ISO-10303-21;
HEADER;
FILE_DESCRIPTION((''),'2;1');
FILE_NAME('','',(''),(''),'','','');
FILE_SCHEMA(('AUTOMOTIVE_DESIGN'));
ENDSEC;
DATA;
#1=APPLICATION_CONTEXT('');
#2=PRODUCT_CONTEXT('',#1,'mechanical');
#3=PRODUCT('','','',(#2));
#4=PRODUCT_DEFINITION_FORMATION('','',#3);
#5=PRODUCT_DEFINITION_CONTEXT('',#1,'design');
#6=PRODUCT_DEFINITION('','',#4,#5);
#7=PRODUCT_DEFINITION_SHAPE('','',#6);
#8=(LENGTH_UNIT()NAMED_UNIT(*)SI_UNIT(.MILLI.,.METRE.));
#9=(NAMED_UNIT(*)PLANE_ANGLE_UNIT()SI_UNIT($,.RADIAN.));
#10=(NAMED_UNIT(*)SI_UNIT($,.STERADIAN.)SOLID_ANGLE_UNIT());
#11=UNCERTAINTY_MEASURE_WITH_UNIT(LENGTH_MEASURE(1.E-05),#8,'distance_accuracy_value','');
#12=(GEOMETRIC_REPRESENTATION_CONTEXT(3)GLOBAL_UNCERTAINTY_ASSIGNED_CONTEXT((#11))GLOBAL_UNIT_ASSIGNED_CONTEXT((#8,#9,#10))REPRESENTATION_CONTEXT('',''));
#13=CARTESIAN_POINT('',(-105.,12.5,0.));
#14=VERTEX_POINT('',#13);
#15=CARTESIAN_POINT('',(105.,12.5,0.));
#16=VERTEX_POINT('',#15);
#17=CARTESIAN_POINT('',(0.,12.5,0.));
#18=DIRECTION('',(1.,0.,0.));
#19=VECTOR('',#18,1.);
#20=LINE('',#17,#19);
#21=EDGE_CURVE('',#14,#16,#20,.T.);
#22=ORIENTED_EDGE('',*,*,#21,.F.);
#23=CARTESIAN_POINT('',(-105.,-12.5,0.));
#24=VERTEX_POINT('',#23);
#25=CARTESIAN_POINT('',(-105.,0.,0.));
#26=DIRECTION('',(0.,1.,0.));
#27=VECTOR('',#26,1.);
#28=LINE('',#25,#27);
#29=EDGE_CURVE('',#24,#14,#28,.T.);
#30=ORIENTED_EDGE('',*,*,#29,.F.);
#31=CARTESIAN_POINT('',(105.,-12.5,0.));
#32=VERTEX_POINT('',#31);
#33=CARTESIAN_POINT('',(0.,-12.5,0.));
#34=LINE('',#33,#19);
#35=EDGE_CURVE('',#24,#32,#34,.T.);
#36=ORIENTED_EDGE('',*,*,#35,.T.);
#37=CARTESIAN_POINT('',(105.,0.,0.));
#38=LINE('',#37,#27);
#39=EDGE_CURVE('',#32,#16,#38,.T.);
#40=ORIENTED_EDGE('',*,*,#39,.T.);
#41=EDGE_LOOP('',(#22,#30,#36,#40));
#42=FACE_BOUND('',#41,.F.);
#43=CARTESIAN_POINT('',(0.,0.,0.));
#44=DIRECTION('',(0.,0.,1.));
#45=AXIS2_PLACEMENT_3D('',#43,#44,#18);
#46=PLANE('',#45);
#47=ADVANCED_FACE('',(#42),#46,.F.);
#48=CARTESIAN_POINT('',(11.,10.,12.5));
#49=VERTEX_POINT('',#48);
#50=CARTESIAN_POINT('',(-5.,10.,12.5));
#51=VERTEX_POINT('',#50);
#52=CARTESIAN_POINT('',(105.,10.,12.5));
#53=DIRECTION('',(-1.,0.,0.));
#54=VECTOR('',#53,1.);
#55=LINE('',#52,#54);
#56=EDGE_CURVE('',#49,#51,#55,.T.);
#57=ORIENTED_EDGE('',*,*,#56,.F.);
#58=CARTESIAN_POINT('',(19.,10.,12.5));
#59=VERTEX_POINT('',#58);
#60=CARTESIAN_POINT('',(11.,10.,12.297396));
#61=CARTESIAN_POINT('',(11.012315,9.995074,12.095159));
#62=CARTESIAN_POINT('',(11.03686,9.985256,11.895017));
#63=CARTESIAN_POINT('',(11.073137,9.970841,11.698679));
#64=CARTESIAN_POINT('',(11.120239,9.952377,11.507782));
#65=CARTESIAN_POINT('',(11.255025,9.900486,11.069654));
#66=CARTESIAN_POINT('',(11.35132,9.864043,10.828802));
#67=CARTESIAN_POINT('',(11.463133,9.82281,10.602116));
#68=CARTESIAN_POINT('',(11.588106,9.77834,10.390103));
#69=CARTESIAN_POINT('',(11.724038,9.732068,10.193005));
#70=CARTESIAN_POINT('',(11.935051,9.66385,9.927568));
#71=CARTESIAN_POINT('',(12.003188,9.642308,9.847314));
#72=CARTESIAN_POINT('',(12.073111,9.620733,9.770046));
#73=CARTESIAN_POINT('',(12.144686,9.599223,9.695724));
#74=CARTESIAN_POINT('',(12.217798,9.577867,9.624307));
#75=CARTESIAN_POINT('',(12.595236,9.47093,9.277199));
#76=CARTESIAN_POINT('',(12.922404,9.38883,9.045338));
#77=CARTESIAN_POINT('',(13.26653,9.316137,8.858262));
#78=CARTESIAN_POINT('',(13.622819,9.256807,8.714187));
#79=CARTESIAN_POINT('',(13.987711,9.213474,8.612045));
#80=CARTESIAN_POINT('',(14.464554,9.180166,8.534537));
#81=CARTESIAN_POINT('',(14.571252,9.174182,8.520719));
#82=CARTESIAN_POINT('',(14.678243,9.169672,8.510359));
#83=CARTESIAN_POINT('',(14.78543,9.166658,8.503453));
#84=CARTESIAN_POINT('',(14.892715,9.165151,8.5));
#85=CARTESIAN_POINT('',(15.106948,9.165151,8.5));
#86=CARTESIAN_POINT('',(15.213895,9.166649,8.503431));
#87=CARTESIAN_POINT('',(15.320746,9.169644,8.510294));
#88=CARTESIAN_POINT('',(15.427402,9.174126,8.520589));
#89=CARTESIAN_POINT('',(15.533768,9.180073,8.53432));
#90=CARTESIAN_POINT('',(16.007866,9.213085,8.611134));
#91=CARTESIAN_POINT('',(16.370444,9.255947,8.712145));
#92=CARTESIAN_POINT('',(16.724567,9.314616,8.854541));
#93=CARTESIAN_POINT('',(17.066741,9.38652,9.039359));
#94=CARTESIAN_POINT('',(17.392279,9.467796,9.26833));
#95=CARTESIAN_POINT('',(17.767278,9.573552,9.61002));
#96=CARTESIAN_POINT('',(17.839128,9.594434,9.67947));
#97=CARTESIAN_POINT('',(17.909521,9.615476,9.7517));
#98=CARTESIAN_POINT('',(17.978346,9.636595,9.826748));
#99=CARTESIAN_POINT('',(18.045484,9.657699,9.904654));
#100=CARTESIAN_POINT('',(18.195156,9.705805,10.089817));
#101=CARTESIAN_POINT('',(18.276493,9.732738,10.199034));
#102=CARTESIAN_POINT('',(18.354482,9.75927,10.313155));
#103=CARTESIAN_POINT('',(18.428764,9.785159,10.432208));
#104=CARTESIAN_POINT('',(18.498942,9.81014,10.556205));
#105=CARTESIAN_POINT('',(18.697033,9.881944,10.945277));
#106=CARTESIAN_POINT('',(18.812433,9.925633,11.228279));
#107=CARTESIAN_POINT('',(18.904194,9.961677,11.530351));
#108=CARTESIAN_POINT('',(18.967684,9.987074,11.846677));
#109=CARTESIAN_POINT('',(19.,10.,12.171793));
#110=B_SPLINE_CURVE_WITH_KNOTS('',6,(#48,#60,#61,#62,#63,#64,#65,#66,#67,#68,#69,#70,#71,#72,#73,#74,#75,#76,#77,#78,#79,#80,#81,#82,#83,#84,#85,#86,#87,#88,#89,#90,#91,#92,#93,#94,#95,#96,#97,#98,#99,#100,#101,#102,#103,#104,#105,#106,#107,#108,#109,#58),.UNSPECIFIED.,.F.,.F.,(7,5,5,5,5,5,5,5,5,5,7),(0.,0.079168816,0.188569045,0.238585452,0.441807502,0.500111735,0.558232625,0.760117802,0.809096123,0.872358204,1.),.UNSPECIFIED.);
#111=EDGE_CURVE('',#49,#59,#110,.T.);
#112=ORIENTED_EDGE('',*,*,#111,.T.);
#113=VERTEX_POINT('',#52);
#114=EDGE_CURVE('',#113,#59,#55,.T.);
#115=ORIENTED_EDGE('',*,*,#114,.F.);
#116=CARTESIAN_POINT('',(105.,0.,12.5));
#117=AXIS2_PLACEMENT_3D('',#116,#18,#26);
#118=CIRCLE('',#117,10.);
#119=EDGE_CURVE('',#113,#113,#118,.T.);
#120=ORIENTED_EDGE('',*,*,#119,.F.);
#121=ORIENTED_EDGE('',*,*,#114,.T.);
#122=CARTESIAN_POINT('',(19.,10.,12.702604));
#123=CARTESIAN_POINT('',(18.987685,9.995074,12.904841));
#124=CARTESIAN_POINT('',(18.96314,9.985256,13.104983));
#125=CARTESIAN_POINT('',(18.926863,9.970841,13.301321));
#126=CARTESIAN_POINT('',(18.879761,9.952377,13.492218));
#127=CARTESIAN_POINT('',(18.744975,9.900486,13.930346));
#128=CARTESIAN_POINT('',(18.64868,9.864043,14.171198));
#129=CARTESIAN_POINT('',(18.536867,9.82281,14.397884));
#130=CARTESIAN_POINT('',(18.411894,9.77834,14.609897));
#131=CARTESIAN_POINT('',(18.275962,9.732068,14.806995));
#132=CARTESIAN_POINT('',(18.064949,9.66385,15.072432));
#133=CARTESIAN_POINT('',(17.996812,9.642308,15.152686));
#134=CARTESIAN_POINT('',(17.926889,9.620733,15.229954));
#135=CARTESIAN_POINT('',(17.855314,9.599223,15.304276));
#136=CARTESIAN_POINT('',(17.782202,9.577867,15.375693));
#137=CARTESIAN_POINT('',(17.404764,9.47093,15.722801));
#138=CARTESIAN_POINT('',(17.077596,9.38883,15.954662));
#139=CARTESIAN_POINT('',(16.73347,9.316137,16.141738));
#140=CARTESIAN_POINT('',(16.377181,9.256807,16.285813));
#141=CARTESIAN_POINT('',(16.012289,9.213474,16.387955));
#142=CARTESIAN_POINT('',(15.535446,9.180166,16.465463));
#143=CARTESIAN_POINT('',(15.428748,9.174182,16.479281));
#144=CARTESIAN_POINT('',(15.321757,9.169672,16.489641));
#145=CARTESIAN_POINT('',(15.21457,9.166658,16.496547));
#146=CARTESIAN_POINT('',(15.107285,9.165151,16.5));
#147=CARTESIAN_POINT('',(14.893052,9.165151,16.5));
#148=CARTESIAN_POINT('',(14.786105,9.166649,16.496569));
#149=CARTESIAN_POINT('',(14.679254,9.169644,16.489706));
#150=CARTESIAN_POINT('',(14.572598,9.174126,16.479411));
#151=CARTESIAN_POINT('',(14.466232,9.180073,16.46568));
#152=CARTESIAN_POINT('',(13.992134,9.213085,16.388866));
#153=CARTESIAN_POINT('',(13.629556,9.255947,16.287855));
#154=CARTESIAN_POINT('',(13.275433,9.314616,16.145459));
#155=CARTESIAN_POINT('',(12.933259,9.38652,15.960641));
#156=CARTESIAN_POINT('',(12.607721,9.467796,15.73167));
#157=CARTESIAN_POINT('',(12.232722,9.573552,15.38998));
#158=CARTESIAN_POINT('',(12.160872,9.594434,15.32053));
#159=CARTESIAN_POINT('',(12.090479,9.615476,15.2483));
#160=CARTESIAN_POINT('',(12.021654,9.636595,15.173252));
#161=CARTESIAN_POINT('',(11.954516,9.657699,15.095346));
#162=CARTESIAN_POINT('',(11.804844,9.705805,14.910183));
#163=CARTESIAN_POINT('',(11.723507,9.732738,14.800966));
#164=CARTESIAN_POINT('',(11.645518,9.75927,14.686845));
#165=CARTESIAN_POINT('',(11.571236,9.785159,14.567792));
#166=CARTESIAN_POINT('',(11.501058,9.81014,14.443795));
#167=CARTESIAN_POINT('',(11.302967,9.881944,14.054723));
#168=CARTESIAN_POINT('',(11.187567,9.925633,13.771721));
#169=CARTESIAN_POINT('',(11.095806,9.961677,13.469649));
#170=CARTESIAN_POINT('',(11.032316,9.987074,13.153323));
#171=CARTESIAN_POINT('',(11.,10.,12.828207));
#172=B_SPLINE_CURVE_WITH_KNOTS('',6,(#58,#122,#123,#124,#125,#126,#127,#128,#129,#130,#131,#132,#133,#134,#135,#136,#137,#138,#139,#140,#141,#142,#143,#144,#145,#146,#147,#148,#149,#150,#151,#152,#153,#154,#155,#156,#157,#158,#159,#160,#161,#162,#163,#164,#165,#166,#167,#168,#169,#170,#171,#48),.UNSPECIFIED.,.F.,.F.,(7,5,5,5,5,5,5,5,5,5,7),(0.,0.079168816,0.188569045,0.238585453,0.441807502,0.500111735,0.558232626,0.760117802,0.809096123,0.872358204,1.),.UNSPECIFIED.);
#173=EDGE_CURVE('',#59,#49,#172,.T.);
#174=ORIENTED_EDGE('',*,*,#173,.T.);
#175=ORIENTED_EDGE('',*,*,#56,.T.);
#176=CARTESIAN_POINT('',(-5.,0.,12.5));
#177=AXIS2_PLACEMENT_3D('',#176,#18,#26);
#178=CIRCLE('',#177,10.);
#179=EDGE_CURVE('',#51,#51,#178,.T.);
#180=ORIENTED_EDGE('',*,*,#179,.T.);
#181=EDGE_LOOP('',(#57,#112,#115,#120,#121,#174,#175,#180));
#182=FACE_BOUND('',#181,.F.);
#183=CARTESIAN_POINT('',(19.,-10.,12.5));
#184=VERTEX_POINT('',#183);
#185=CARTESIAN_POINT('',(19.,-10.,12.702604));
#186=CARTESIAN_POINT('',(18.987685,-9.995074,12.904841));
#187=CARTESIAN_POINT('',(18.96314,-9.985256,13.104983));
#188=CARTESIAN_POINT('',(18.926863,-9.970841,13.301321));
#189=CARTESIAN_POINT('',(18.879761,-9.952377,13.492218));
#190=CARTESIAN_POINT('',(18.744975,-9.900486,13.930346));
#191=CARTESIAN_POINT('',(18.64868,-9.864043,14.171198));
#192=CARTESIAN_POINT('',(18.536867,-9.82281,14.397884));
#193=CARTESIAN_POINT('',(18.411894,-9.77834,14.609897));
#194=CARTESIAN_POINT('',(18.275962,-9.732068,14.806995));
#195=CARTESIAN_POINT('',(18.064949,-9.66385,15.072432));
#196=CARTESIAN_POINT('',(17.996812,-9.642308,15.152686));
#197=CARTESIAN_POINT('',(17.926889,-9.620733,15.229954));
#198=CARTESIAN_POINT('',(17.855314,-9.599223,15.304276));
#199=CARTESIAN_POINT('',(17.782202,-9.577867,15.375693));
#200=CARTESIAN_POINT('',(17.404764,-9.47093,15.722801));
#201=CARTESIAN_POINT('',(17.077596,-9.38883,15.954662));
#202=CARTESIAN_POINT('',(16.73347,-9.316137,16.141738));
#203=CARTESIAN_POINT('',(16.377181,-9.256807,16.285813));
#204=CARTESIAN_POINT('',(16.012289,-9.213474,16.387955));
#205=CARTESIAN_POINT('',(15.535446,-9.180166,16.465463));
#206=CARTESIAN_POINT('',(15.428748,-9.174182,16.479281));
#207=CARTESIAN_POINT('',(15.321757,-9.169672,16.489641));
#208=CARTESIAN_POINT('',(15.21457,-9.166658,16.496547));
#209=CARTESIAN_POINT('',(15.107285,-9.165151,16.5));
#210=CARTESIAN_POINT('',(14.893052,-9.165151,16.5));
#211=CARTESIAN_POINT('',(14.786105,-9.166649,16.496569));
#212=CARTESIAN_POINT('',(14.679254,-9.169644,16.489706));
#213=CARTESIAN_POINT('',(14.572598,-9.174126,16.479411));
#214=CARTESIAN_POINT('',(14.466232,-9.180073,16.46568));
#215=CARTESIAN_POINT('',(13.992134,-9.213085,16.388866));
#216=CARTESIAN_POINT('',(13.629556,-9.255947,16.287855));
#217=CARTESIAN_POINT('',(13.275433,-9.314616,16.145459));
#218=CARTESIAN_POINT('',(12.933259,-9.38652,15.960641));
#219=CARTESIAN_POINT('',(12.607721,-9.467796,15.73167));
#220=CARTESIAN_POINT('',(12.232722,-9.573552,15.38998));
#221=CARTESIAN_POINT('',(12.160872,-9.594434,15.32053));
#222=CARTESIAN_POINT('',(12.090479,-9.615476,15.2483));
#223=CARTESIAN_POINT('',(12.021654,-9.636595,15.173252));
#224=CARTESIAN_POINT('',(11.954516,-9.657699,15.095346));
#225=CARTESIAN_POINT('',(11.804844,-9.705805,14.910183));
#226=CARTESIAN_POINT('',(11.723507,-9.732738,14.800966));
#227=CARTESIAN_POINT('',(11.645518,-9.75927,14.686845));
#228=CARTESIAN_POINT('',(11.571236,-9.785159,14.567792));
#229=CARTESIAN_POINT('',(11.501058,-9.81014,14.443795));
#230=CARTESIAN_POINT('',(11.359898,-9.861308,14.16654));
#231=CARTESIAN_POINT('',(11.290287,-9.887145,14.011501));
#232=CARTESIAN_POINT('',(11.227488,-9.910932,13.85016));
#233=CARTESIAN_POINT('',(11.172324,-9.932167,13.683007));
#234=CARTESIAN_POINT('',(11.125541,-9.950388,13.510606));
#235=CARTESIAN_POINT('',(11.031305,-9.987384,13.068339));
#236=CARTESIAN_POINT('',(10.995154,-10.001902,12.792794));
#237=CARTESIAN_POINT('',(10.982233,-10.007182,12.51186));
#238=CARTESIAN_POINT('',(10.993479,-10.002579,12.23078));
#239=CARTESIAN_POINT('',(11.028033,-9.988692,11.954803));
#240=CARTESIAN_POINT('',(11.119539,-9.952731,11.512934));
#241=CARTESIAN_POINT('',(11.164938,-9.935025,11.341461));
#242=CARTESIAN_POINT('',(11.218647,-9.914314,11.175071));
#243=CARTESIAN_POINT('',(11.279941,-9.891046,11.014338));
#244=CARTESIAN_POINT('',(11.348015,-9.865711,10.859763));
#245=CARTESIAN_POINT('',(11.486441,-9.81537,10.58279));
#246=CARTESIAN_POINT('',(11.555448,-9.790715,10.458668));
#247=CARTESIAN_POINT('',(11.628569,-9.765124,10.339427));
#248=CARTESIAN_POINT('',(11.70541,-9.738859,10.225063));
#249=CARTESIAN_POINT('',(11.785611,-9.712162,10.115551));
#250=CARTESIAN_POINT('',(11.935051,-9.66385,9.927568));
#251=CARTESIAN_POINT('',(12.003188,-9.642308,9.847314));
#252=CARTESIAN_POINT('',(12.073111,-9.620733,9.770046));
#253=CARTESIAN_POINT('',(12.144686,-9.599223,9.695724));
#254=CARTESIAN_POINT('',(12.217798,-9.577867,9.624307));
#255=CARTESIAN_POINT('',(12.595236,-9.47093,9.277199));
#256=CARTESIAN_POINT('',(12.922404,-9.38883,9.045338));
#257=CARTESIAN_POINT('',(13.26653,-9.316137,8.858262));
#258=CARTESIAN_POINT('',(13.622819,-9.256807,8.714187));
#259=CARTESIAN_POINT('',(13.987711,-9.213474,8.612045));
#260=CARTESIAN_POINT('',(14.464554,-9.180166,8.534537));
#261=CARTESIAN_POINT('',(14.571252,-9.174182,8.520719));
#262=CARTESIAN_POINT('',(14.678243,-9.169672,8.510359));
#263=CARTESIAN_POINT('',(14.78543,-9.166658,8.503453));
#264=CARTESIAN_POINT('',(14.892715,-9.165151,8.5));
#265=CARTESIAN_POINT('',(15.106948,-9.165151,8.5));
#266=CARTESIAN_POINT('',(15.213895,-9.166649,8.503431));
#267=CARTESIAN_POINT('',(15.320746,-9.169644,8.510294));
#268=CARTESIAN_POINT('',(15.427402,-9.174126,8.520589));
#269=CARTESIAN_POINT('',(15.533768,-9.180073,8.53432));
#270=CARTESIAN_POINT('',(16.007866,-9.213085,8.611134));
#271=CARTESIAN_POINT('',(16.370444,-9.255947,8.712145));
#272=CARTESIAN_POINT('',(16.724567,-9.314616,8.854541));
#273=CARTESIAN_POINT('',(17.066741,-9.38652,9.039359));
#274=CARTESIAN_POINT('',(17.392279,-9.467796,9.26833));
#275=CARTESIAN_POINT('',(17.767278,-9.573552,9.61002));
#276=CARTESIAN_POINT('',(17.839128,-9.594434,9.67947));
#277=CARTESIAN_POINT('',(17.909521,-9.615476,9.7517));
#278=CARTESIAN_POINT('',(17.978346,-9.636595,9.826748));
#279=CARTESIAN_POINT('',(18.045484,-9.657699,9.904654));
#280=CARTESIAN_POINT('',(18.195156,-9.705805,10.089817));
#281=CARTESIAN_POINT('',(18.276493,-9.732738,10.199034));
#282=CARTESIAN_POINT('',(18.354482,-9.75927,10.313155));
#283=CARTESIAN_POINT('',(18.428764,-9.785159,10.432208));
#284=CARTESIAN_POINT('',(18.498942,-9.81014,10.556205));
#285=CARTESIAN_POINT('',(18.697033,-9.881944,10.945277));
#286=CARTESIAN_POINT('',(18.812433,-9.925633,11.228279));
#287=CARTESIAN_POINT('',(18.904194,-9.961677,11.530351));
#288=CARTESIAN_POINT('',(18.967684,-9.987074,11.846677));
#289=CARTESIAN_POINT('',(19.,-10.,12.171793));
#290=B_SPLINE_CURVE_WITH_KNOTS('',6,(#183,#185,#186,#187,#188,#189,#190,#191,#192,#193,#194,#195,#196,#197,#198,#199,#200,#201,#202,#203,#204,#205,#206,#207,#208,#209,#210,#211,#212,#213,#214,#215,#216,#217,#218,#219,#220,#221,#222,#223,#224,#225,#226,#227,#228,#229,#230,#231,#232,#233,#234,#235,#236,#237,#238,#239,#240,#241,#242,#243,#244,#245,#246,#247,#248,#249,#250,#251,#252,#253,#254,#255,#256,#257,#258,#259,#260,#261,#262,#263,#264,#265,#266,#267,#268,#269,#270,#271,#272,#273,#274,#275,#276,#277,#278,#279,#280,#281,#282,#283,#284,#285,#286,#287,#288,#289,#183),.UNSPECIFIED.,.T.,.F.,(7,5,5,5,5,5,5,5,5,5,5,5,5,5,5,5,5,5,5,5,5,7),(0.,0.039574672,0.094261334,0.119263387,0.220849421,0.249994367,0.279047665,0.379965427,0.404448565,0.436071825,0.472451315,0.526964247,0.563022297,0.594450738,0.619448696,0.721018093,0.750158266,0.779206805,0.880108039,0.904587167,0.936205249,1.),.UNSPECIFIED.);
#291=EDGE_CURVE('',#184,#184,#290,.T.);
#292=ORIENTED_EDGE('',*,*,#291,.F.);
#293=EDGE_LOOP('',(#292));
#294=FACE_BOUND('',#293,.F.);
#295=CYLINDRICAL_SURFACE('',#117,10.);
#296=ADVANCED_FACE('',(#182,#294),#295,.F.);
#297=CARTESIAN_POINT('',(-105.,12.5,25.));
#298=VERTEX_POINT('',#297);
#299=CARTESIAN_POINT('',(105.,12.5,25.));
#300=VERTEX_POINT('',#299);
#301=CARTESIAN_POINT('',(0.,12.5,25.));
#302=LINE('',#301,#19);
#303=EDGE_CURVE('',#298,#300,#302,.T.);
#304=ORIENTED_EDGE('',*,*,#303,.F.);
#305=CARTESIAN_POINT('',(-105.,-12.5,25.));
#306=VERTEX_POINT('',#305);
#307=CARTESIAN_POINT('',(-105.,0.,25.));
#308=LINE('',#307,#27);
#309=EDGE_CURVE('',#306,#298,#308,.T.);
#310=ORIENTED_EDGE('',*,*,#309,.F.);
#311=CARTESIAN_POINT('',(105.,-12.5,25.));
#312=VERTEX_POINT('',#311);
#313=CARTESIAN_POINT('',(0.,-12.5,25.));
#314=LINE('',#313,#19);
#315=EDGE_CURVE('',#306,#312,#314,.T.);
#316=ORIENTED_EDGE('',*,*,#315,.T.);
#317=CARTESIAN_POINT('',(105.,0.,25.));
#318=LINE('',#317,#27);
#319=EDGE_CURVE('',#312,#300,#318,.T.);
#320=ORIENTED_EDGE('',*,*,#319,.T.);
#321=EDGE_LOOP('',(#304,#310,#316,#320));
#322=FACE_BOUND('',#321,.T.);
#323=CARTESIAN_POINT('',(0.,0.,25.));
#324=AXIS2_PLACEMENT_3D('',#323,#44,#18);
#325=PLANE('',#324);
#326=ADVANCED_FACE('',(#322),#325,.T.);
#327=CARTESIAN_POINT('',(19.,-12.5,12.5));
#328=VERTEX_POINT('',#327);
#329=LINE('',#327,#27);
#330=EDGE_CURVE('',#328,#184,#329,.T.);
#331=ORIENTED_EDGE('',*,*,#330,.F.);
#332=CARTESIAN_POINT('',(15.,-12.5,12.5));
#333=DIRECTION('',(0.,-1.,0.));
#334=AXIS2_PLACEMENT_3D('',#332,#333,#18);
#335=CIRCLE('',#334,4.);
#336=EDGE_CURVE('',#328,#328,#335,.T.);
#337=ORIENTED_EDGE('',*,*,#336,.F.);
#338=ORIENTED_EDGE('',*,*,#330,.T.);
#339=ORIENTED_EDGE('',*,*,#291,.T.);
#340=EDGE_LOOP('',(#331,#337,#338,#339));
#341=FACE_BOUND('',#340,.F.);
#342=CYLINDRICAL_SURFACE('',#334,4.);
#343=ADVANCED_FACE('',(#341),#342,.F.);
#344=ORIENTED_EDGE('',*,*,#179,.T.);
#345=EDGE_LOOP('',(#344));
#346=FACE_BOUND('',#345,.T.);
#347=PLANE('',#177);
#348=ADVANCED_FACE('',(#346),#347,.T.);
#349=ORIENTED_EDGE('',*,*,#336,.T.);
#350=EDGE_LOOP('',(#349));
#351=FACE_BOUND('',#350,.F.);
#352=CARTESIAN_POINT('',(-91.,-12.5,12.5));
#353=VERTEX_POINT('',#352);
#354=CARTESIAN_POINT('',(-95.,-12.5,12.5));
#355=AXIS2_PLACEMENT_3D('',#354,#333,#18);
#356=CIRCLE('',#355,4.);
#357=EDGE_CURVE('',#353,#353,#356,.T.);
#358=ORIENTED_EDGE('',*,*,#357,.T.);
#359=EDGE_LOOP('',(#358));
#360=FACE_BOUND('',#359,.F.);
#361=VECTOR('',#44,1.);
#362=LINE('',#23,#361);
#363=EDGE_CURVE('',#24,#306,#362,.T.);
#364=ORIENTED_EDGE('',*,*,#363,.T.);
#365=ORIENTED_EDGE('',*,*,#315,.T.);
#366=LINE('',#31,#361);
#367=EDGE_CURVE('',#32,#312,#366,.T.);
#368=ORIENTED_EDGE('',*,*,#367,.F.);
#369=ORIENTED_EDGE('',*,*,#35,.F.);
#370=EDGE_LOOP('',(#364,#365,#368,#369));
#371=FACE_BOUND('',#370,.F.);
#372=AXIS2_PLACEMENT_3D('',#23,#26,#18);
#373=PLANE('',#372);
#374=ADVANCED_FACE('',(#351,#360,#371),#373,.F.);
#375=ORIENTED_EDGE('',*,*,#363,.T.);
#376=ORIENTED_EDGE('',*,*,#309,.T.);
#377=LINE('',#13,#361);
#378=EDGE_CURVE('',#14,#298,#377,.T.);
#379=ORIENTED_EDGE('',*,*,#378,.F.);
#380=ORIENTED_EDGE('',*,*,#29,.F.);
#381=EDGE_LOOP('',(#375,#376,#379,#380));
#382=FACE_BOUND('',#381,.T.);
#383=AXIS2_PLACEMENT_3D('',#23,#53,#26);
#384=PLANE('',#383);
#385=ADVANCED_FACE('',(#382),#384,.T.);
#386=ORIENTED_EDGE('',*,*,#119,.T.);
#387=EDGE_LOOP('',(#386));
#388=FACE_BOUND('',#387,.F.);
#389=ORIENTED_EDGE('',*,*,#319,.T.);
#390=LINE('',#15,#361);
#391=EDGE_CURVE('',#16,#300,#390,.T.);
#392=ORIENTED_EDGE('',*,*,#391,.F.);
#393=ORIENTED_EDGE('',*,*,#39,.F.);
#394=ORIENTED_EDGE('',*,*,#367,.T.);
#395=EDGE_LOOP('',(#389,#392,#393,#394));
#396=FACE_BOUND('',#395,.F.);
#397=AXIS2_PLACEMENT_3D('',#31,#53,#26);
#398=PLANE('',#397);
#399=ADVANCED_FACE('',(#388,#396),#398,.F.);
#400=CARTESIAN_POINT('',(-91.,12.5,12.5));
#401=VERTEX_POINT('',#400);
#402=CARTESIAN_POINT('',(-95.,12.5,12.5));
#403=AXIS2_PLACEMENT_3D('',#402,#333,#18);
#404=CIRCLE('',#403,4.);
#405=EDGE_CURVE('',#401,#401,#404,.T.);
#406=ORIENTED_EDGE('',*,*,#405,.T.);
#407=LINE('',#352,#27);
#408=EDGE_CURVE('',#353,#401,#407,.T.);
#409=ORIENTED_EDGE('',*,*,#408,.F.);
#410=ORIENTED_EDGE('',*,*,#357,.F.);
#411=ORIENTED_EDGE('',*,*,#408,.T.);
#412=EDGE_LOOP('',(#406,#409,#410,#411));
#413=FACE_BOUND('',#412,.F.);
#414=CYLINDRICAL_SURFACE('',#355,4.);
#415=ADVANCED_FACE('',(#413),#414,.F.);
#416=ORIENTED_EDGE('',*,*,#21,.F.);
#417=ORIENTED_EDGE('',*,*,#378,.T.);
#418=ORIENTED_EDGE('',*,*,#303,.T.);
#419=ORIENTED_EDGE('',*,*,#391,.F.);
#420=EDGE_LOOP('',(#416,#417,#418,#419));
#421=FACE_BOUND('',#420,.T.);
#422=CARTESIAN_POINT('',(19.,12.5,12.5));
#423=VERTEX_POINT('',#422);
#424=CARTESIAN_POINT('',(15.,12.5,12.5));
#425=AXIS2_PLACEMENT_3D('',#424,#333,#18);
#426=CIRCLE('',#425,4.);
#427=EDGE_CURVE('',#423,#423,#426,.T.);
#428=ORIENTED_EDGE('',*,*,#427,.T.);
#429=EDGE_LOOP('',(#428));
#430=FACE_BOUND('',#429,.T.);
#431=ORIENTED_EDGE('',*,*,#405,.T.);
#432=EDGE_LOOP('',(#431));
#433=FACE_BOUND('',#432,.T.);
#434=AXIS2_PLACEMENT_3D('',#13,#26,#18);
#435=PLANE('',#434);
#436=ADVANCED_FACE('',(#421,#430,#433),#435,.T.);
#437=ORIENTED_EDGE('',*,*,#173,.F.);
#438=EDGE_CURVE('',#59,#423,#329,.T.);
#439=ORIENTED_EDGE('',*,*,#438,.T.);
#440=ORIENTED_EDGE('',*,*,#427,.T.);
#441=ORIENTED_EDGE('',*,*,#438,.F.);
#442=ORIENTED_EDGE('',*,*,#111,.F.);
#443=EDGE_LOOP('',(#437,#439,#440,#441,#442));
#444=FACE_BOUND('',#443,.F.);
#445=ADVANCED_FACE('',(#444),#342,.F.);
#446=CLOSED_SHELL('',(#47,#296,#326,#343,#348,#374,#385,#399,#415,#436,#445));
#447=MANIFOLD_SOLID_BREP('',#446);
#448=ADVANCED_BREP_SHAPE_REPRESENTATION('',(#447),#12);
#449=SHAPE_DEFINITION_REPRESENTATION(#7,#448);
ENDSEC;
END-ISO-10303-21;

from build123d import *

# Parameters (mm, degrees)
F0_W     = 210
F0_H     = 25
F1_DEPTH = 25
F2_R     = 4
F3_DEPTH = 25.001
F4_R     = 10
F5_DEPTH = 110


with BuildPart() as f1:
    # F0 (on Top) → F1 (new body)
    with BuildSketch(Plane.XY):
        Rectangle(F0_W, F0_H)
    extrude(amount=F1_DEPTH)

    # F2 (on face) → F3 (cut, through all)
    with BuildSketch(Plane.XZ.offset(12.5)):
        with Locations((-95, 12.5)):
            Circle(F2_R)
        with Locations((15, 12.5)):
            Circle(F2_R)
    extrude(amount=-F3_DEPTH, mode=Mode.SUBTRACT)

    # F4 (on face) → F5 (cut)
    with BuildSketch(Plane.YZ.offset(105)):
        with Locations((0, 12.5)):
            Circle(F4_R)
    extrude(amount=-F5_DEPTH, mode=Mode.SUBTRACT)


solid = f1.part
